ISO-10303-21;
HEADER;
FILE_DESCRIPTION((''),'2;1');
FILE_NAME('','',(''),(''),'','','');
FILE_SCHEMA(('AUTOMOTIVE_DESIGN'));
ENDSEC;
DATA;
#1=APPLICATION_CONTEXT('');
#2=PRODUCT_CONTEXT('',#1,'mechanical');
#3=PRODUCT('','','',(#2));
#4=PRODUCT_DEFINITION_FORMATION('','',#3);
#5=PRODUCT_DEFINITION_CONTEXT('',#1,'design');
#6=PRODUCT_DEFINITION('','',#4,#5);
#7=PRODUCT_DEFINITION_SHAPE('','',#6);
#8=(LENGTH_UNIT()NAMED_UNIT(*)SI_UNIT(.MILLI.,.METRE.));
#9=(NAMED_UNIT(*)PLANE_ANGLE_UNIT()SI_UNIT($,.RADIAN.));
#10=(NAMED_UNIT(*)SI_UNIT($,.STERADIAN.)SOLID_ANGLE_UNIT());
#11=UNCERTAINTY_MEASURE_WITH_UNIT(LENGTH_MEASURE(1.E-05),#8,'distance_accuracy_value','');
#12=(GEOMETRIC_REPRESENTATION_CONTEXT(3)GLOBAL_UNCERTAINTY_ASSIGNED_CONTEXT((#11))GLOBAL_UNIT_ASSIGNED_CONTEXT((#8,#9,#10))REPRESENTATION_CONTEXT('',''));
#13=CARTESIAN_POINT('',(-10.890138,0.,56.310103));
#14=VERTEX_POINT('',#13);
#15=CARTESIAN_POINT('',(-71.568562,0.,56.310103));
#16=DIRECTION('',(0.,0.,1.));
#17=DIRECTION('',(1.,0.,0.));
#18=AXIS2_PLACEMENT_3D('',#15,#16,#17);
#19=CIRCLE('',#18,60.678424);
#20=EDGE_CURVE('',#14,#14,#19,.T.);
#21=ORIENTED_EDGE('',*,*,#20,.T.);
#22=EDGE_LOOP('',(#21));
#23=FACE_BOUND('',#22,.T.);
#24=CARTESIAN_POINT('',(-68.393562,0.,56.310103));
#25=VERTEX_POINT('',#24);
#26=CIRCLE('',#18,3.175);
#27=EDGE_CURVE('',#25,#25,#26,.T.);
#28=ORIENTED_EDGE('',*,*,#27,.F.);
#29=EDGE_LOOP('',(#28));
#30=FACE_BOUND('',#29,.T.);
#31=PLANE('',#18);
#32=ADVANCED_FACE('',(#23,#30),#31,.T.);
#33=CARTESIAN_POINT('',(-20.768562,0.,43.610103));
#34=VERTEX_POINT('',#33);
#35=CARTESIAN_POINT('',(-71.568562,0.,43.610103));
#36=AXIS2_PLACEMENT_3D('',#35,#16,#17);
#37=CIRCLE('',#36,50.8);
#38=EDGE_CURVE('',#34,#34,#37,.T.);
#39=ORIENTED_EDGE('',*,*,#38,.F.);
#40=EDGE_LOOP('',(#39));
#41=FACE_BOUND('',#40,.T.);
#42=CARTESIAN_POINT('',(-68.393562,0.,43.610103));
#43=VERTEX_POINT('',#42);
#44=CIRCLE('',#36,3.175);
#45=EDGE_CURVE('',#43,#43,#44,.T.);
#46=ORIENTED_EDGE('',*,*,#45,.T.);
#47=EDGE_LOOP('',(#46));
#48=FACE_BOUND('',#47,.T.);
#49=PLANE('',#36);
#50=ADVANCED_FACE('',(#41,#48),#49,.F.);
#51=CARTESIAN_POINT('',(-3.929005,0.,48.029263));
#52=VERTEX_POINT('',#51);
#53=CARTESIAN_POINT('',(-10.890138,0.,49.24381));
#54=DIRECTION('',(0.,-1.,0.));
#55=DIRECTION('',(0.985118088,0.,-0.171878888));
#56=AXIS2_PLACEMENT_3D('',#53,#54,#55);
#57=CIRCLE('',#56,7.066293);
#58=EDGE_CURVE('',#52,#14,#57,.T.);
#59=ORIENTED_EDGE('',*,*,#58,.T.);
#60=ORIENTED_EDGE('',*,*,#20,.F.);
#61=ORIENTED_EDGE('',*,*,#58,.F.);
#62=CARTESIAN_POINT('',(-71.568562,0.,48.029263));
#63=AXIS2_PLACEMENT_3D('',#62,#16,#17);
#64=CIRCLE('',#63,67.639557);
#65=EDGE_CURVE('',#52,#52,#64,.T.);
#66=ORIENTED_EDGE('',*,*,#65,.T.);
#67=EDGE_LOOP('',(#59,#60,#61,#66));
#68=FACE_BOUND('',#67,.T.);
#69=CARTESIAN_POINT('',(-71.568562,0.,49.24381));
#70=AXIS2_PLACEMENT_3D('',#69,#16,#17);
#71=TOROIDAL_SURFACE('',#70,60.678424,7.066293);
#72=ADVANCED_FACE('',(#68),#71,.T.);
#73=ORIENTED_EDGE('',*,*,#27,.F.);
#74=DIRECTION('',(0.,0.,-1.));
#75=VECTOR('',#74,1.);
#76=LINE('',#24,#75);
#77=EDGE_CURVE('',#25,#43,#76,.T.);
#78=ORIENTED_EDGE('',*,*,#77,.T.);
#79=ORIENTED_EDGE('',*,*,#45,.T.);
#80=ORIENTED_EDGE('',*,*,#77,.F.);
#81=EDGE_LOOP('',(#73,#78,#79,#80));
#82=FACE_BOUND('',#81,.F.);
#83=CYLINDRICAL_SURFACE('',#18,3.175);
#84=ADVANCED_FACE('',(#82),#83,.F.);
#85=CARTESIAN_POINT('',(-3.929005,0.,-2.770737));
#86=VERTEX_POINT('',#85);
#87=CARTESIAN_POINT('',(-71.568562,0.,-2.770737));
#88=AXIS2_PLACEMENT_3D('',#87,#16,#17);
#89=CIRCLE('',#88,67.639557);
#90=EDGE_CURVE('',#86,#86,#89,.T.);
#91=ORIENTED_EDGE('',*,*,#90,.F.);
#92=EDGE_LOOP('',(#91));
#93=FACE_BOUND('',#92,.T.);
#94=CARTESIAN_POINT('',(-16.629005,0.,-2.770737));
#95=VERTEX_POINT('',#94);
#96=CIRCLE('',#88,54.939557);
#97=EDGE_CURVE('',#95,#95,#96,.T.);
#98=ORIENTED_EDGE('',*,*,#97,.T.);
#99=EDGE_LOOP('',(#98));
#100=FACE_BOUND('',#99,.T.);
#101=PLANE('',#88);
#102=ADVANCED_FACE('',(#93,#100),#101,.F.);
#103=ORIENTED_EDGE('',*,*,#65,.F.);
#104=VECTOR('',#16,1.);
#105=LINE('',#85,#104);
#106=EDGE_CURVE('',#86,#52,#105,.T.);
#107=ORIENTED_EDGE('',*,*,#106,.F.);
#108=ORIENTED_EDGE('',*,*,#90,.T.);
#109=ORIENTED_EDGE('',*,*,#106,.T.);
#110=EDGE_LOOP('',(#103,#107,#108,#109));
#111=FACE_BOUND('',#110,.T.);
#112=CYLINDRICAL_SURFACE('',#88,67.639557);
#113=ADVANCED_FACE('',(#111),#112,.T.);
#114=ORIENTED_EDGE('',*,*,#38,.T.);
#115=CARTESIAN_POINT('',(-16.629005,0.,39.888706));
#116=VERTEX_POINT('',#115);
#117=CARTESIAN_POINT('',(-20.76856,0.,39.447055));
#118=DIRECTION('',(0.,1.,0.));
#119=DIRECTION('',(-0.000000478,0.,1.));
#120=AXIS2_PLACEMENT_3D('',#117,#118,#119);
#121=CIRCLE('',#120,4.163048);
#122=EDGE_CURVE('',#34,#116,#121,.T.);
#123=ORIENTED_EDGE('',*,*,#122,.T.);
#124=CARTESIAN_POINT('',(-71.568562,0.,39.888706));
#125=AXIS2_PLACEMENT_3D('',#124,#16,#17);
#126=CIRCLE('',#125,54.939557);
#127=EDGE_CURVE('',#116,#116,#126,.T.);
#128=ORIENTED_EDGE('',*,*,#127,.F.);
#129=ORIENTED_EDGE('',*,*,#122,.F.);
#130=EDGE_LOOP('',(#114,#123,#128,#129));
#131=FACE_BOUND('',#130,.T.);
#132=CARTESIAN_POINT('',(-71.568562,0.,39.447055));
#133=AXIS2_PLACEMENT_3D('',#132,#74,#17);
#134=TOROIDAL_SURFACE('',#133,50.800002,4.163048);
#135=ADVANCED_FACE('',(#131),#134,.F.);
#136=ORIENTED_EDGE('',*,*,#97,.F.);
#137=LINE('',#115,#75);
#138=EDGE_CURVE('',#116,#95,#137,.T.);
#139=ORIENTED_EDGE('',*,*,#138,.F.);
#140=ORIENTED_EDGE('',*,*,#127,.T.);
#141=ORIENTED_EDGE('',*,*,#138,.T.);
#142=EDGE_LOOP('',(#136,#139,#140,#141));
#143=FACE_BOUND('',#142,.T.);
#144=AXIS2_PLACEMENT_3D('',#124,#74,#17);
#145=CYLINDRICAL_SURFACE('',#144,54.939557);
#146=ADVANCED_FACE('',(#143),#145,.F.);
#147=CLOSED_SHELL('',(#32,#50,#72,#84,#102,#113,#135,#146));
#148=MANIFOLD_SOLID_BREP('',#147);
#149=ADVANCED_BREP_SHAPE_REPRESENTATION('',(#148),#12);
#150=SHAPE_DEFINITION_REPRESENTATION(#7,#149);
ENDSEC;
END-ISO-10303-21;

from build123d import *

# Parameters (mm, degrees)
F2_R     = 3.175
F3_DEPTH = 25.4


with BuildPart() as f1:
    # F0 (on Front) → F1 (revolve)
    with BuildSketch(Plane.XZ):
        with BuildLine():
            Line((-71.568562, 56.310103), (-71.568562, 43.610103))
            Line((-71.568562, 43.610103), (-20.768562, 43.610103))
            ThreePointArc((-20.768562, 43.610103), (-17.985365, 42.542987), (-16.629005, 39.888706))
            Line((-16.629005, 39.888706), (-16.629005, -2.770737))
            Line((-16.629005, -2.770737), (-3.929005, -2.770737))
            Line((-3.929005, -2.770737), (-3.929005, 48.029263))
            ThreePointArc((-3.929005, 48.029263), (-5.481125, 53.790795), (-10.890138, 56.310103))
            Line((-10.890138, 56.310103), (-71.568562, 56.310103))
        make_face()
    revolve(axis=Axis((-71.568562, 0, 49.960103), (0, 0, 1)))

    # F2 (on face) → F3 (cut)
    with BuildSketch(Plane.XY.offset(56.310103)):
        with Locations((-71.568562, 0)):
            Circle(F2_R)
    extrude(amount=-F3_DEPTH, mode=Mode.SUBTRACT)


solid = f1.part
